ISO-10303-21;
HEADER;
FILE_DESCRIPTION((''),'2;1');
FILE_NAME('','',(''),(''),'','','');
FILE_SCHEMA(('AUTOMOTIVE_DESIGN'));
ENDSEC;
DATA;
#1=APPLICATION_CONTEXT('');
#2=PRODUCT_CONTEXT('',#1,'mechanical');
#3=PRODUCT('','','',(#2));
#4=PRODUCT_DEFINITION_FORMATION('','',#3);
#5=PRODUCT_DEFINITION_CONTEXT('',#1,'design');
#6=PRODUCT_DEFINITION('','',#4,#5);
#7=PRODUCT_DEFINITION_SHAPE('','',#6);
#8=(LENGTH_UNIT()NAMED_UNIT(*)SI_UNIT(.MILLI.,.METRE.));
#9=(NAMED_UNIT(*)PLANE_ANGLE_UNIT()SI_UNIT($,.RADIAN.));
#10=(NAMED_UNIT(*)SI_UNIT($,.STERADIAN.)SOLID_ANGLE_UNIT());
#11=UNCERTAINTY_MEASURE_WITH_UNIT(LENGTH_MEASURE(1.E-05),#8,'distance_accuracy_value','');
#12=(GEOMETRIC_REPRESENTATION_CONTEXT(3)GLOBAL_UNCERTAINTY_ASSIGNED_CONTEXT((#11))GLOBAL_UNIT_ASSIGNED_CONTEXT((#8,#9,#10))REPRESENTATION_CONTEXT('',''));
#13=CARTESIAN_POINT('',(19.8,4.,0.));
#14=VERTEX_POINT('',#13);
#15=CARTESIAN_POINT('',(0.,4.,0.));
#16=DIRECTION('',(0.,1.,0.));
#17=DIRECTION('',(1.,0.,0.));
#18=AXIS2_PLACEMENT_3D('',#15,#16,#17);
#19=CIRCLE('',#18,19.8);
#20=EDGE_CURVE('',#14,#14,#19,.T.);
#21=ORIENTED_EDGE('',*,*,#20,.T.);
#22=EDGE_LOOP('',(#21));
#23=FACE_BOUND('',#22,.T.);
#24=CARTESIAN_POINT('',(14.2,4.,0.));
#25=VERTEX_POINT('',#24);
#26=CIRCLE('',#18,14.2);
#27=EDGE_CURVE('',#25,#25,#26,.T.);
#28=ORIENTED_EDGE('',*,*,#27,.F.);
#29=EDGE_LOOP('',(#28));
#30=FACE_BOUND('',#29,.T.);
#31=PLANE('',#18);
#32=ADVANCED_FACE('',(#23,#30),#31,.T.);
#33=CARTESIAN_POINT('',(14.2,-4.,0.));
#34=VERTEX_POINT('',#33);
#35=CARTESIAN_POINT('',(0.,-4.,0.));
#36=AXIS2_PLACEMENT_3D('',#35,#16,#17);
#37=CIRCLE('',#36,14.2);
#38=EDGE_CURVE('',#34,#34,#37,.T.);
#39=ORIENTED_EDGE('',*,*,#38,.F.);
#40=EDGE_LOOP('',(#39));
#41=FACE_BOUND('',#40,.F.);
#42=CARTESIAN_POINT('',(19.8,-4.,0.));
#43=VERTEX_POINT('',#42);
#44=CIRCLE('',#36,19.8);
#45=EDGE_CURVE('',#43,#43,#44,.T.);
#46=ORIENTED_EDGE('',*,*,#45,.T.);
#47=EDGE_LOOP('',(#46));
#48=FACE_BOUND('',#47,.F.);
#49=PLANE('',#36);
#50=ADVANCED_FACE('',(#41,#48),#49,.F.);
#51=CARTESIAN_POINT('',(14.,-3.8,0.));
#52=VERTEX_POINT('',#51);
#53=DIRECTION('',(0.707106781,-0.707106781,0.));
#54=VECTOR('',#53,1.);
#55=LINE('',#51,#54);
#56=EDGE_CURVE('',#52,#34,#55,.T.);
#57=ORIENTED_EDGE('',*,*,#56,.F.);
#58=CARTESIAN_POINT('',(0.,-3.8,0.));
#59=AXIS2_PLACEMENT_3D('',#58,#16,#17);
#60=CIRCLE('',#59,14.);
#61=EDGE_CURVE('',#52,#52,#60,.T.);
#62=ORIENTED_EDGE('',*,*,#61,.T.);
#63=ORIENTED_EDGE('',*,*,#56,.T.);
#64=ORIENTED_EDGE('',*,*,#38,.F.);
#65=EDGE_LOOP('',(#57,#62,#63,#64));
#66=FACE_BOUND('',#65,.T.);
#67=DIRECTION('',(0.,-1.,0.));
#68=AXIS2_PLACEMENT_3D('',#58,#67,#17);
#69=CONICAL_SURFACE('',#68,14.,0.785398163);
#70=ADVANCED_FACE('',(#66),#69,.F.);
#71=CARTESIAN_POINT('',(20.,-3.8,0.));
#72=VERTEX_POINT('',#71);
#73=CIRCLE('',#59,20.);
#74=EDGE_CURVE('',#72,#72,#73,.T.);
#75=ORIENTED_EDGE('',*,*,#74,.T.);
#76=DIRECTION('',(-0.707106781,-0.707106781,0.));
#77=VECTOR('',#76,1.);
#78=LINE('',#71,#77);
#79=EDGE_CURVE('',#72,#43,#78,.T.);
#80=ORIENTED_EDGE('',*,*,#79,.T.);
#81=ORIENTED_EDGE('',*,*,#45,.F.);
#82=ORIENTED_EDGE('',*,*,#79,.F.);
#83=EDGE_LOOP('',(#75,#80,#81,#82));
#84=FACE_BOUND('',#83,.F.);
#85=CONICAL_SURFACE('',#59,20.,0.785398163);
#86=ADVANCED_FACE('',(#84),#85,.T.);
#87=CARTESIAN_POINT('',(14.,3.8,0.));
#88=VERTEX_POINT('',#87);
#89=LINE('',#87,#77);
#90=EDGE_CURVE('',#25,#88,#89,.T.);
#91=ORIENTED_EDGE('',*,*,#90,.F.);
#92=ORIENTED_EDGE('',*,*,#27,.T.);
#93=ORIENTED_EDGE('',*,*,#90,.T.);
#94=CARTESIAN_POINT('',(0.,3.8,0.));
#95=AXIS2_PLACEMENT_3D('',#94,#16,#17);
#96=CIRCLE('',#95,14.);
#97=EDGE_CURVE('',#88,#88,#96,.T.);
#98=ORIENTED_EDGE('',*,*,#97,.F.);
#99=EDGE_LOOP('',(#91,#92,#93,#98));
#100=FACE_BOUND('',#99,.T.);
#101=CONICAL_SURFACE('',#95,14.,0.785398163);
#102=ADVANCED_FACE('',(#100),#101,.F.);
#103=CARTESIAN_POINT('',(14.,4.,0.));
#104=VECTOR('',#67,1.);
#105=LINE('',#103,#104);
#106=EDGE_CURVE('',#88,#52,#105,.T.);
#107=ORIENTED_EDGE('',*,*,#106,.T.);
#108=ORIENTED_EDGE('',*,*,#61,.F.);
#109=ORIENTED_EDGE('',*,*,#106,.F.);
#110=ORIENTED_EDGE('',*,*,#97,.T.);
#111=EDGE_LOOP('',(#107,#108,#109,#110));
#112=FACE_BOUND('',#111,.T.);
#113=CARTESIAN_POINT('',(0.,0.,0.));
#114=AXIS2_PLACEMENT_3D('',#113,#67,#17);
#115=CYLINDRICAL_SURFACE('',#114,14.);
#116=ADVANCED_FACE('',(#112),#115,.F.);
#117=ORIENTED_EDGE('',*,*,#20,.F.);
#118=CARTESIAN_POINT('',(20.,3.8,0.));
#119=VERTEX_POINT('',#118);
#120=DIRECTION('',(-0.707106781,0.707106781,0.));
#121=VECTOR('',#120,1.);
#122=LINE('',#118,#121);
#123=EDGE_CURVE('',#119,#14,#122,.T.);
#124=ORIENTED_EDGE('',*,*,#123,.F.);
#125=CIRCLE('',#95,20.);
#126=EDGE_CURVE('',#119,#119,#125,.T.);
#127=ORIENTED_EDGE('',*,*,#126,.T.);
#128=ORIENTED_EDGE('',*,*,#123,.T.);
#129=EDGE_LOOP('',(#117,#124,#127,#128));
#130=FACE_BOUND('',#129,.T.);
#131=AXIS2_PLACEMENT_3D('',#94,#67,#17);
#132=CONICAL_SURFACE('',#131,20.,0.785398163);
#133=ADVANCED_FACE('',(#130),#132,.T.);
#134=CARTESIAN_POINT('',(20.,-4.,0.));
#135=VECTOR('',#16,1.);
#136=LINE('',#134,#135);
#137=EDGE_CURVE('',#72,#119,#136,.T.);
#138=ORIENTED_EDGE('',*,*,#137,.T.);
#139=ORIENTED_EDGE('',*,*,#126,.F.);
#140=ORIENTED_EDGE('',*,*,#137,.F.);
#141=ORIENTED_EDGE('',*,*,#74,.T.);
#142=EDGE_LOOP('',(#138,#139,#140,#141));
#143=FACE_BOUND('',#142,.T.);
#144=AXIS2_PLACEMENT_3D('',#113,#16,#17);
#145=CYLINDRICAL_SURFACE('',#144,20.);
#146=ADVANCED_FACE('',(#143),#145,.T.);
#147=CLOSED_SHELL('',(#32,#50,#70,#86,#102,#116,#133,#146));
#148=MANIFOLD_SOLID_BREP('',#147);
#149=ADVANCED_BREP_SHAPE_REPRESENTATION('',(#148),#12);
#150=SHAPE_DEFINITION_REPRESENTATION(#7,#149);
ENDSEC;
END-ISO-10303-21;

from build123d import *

# Parameters (mm, degrees)
SKETCH1_R           = 20
SKETCH1_R_2         = 14
BOSS_EXTRUDE1_DEPTH = 4
CHAMFER1_SIZE       = 0.2


with BuildPart() as part:
    # Sketch1 → Boss-Extrude1 (new body, symmetric)
    with BuildSketch(Plane(origin=(0, 0, 0), x_dir=(1, 0, 0), z_dir=(0, 1, 0))):
        Circle(SKETCH1_R)
        Circle(SKETCH1_R_2, mode=Mode.SUBTRACT)
    extrude(amount=BOSS_EXTRUDE1_DEPTH, both=True)

    # Chamfer1
    chamfer1_edges = [part.edges().sort_by_distance(p)[0] for p in [
        (-20, -4, 0),
        (-20, 4, 0),
        (-14, -4, 0),
        (-14, 4, 0),
    ]]
    chamfer(chamfer1_edges, length=CHAMFER1_SIZE)


solid = part.part
